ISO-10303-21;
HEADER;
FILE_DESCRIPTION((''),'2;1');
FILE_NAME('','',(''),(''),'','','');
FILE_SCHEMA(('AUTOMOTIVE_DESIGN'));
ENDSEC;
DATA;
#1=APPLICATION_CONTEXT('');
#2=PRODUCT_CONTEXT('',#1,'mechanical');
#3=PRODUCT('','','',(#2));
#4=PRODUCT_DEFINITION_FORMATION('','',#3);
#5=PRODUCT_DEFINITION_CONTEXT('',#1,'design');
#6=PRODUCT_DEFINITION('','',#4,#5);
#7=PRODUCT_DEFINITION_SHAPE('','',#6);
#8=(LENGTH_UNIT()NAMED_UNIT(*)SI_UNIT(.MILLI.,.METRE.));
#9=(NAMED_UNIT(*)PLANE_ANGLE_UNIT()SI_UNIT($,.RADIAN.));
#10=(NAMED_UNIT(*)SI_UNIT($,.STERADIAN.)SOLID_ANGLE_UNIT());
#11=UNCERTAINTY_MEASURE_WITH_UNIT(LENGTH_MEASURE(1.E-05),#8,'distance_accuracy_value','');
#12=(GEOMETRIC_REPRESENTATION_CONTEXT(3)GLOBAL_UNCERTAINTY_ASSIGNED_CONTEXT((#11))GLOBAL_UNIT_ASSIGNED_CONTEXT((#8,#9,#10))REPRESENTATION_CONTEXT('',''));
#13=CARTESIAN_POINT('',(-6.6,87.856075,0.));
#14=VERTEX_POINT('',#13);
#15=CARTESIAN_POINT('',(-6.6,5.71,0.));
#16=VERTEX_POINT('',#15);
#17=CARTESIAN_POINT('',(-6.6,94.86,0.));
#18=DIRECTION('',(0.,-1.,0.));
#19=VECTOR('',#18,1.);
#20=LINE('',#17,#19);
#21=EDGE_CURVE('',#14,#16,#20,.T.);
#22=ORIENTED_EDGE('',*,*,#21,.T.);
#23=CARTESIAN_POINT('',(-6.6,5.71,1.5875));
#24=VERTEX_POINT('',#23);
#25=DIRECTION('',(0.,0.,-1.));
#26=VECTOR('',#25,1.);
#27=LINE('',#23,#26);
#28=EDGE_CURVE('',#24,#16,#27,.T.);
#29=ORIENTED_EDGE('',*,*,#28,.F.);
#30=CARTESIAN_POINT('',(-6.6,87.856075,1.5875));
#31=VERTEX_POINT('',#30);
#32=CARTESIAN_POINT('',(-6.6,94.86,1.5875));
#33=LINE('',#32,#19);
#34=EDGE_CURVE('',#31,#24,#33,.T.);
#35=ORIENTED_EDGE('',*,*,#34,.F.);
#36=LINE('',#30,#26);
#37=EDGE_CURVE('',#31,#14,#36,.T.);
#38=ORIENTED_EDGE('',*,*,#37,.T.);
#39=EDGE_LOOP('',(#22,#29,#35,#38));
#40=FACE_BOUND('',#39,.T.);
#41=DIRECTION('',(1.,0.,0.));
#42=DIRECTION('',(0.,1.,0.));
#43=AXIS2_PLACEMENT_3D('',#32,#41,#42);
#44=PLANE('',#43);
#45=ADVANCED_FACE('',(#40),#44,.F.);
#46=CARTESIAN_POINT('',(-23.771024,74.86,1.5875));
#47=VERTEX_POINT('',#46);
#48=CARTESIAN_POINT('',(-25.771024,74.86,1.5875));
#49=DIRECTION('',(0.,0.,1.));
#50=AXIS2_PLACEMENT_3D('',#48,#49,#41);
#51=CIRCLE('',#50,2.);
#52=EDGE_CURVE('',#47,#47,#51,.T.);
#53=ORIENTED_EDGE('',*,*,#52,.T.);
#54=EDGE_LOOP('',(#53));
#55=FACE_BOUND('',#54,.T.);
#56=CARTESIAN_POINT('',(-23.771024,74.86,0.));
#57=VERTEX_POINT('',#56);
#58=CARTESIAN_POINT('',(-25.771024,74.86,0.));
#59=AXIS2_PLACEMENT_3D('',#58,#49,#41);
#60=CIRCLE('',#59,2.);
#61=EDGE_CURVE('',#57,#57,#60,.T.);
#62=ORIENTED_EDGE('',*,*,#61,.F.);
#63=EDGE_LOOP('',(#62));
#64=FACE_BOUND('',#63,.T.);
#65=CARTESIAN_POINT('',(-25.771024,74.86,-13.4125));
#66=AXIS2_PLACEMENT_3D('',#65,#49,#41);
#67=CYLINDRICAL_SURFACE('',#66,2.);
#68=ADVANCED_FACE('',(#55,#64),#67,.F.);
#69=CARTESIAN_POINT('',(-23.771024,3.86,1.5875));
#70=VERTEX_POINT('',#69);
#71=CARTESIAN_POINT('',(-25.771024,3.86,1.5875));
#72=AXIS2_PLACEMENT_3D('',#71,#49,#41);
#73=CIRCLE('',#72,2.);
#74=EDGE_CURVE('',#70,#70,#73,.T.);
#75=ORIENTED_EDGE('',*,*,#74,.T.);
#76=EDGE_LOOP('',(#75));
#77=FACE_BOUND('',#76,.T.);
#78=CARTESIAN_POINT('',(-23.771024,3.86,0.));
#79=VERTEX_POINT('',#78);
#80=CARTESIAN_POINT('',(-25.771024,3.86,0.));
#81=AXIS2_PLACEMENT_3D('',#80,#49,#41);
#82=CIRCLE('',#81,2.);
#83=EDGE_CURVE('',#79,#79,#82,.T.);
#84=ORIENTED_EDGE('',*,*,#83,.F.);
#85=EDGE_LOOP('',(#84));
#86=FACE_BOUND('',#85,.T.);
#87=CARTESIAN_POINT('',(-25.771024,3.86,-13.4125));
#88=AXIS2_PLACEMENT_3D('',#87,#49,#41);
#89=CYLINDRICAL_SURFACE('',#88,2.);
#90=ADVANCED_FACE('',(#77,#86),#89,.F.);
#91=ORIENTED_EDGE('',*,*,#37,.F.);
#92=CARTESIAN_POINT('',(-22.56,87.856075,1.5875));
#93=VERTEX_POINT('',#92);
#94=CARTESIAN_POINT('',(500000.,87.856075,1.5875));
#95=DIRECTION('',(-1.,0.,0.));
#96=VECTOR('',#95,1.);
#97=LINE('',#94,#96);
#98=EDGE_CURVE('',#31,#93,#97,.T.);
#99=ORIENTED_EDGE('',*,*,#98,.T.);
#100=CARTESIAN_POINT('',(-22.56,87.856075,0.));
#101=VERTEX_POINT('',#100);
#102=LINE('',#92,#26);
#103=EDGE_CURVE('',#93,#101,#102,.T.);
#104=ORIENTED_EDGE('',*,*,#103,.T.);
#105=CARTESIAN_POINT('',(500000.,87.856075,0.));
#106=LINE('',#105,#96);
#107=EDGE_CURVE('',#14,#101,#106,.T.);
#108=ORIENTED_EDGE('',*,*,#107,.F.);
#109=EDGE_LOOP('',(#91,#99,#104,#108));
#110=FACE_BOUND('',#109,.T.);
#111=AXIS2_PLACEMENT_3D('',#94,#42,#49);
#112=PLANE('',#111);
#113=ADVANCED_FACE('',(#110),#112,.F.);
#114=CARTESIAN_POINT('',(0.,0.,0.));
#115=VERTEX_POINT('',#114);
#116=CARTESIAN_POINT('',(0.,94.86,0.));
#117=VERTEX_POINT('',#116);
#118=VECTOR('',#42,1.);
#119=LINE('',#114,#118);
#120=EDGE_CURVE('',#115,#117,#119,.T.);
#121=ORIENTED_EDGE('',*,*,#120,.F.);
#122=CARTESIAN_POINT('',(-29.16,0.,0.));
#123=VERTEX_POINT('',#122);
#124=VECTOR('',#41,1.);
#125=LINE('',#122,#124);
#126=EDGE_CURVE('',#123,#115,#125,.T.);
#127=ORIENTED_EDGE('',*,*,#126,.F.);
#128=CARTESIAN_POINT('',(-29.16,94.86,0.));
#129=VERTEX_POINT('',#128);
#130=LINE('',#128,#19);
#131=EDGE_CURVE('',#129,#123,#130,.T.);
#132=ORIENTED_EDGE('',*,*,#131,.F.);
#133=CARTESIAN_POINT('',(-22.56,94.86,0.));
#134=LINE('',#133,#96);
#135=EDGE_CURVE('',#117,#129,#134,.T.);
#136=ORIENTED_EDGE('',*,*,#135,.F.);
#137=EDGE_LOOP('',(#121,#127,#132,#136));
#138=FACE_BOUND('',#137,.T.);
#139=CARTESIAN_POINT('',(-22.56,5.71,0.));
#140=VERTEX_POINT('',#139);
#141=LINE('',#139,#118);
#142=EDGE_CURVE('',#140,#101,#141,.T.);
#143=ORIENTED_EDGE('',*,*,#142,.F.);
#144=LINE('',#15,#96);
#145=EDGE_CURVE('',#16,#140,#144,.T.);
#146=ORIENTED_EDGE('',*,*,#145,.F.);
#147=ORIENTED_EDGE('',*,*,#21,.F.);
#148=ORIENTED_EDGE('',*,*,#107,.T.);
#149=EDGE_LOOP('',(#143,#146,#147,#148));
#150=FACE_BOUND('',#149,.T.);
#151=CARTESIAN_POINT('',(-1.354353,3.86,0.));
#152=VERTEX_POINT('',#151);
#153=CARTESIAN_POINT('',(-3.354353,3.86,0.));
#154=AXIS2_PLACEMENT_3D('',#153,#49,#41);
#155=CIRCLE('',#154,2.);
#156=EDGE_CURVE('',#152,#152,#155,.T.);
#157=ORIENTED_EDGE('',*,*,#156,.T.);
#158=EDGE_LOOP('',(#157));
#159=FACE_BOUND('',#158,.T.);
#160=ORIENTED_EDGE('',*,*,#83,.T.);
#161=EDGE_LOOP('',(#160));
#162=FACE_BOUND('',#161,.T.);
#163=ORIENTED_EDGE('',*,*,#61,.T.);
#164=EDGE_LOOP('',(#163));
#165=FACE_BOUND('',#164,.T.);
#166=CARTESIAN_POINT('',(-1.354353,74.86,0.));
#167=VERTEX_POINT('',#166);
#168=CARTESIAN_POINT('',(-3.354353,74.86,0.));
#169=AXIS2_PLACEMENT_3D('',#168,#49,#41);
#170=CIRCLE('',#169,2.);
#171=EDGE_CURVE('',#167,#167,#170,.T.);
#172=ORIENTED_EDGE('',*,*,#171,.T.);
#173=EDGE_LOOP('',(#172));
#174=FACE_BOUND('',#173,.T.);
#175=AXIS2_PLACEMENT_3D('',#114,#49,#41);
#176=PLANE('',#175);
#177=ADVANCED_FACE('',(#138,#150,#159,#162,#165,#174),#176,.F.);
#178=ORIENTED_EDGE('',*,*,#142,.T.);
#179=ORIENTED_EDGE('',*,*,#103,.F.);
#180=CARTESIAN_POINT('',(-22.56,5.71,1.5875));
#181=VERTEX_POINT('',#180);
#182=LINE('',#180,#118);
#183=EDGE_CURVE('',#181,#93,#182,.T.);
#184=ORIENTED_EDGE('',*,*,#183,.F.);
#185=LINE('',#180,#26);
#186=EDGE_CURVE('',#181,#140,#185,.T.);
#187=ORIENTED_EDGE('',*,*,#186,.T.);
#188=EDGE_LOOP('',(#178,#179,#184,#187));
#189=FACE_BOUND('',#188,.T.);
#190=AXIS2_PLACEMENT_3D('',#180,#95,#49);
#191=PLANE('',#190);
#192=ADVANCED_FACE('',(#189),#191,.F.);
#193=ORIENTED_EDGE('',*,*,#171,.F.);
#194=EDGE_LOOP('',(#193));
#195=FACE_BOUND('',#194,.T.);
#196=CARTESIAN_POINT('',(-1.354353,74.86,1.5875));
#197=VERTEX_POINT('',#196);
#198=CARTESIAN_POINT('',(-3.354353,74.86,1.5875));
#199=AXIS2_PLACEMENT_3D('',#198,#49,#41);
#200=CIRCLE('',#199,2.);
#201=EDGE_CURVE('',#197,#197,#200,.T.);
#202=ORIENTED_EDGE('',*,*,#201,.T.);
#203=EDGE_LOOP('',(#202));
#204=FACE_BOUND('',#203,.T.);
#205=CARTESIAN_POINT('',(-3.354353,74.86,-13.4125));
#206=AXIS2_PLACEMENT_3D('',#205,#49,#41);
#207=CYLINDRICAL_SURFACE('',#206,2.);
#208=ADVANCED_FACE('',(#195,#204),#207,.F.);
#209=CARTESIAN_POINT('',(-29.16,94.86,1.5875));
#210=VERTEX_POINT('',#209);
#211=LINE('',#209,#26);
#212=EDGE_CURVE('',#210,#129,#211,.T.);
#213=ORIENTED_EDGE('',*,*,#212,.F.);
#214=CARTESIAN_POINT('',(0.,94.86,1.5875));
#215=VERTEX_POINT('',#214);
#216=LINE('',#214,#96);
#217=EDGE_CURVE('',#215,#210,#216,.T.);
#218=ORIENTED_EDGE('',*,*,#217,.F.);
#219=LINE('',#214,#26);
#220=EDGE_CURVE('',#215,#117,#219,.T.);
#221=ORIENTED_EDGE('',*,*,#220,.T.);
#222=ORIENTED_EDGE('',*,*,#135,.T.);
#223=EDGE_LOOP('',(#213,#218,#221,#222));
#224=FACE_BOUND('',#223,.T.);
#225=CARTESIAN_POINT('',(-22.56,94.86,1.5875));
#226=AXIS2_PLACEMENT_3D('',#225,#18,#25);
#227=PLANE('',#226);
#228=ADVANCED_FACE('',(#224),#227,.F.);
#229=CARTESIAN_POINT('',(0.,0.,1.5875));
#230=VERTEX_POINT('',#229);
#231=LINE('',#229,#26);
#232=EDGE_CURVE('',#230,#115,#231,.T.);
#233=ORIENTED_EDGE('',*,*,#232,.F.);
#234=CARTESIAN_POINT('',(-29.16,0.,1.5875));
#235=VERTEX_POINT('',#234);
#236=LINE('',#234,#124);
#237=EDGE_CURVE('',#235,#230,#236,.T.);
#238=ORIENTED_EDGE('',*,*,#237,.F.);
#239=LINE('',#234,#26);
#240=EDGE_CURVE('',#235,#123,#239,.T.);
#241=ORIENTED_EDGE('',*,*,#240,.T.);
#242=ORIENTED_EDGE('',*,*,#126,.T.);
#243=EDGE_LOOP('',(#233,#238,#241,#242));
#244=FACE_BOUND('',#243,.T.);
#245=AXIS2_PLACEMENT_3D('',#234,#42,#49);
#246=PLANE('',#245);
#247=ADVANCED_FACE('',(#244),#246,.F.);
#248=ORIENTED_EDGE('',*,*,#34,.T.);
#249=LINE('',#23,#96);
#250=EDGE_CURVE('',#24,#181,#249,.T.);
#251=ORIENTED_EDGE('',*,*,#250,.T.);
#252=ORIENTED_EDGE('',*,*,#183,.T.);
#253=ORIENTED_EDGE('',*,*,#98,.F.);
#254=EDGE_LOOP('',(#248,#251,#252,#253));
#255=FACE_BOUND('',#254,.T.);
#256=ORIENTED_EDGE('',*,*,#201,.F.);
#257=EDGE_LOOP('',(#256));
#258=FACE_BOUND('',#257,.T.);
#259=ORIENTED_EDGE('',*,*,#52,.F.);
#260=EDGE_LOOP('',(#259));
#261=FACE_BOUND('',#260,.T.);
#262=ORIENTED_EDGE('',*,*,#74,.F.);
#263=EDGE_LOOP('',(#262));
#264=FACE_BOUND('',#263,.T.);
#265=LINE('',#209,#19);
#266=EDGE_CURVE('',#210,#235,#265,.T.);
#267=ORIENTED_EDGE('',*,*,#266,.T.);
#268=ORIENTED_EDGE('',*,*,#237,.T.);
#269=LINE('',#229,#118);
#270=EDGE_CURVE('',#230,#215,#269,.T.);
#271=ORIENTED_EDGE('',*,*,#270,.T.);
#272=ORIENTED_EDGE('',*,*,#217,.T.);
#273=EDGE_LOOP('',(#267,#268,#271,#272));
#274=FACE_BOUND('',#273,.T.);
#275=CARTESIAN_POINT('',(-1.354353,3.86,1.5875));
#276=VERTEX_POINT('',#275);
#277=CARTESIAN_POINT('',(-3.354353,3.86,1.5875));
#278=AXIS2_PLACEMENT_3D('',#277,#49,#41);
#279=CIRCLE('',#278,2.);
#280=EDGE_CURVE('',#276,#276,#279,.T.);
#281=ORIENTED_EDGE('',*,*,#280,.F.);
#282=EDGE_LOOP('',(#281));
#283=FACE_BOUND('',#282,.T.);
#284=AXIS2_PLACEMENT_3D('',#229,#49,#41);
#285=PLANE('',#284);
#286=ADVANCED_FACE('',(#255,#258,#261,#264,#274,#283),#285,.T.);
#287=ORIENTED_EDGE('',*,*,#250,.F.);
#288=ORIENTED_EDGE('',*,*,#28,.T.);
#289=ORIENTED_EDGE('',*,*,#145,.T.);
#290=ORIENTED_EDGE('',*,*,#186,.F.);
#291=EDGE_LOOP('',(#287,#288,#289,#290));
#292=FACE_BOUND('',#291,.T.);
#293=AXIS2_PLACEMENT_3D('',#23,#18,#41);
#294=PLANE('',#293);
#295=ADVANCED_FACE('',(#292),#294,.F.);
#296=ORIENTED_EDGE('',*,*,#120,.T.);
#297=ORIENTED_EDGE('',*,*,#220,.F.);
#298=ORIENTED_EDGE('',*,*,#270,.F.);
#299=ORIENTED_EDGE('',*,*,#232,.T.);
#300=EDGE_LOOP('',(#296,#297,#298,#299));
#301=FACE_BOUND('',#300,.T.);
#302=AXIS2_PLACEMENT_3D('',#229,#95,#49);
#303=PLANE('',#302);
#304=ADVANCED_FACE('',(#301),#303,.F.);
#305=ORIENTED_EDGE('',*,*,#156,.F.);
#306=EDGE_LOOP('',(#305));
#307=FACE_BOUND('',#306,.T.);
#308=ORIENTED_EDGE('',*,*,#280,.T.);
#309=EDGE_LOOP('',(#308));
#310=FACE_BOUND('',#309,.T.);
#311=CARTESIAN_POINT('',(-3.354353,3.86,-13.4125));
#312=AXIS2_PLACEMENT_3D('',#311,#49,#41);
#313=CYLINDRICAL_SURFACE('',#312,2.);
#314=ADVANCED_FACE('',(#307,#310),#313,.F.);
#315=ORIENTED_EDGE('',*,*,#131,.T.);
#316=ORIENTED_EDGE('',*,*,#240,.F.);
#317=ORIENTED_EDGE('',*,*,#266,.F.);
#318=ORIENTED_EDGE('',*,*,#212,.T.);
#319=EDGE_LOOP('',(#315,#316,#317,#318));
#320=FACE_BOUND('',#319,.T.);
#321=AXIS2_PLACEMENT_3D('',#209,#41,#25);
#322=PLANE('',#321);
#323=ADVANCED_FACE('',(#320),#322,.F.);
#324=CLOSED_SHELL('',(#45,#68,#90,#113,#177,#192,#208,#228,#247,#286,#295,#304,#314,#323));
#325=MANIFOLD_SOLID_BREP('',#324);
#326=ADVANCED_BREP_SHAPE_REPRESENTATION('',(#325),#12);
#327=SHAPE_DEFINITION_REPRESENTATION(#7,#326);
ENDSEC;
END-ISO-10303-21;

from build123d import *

# Parameters (mm, degrees)
BOSS_EXTRUDE1_DEPTH = 1.5875
BOSS_EXTRUDE2_REACH = 24.56
SKETCH3_W           = 1.5875
SKETCH3_H           = 7.003924561
SKETCH4_R           = 2
CUT_EXTRUDE1_DEPTH  = 15
SKETCH5_R           = 2
BOSS_EXTRUDE3_DEPTH = 1.5875


with BuildPart() as part:
    # Sketch2 → Boss-Extrude1 (new body)
    with BuildSketch(Plane.XY):
        Polygon((0, 0), (0, 94.86), (-6.6, 94.86), (-6.6, 5.71), (-22.56, 5.71), (-22.56, 94.86), (-29.16, 94.86), (-29.16, 0), align=None)
    extrude(amount=BOSS_EXTRUDE1_DEPTH)

    # Sketch3 → Boss-Extrude2 (add, up to next)
    with BuildSketch(Plane(origin=(-22.56, 0, 0), x_dir=(0, 0, -1), z_dir=(1, 0, 0)), mode=Mode.PRIVATE) as boss_extrude2_sk1:
        with Locations((-0.79375, 91.35803772)):
            Rectangle(SKETCH3_W, SKETCH3_H)
    boss_extrude2_tool1 = extrude(boss_extrude2_sk1.sketch, amount=BOSS_EXTRUDE2_REACH, mode=Mode.PRIVATE) - part.part
    add(boss_extrude2_tool1.solids().sort_by_distance((-22.56, 91.358038, 0.79375))[0])

    # Sketch4 → Cut-Extrude1 (cut)
    with BuildSketch(Plane.XY.offset(1.5875)):
        with Locations((-3.354353393, 47.428062363)):
            Circle(SKETCH4_R)
        with Locations((-25.771024386, 47.428062363)):
            Circle(SKETCH4_R)
        with Locations((-25.771024386, 3.86)):
            Circle(SKETCH4_R)
        with Locations((-3.354353393, 3.86)):
            Circle(SKETCH4_R)
        with Locations((-25.771024386, 74.86)):
            Circle(SKETCH4_R)
        with Locations((-3.354353393, 74.86)):
            Circle(SKETCH4_R)
    extrude(amount=-CUT_EXTRUDE1_DEPTH, mode=Mode.SUBTRACT)

    # Sketch5 → Boss-Extrude3 (add)
    with BuildSketch(Plane.XY.offset(1.5875)):
        with Locations((-25.771024386, 47.428062363)):
            Circle(SKETCH5_R)
        with Locations((-3.354353393, 47.428062363)):
            Circle(SKETCH5_R)
    extrude(amount=-BOSS_EXTRUDE3_DEPTH)


solid = part.part
